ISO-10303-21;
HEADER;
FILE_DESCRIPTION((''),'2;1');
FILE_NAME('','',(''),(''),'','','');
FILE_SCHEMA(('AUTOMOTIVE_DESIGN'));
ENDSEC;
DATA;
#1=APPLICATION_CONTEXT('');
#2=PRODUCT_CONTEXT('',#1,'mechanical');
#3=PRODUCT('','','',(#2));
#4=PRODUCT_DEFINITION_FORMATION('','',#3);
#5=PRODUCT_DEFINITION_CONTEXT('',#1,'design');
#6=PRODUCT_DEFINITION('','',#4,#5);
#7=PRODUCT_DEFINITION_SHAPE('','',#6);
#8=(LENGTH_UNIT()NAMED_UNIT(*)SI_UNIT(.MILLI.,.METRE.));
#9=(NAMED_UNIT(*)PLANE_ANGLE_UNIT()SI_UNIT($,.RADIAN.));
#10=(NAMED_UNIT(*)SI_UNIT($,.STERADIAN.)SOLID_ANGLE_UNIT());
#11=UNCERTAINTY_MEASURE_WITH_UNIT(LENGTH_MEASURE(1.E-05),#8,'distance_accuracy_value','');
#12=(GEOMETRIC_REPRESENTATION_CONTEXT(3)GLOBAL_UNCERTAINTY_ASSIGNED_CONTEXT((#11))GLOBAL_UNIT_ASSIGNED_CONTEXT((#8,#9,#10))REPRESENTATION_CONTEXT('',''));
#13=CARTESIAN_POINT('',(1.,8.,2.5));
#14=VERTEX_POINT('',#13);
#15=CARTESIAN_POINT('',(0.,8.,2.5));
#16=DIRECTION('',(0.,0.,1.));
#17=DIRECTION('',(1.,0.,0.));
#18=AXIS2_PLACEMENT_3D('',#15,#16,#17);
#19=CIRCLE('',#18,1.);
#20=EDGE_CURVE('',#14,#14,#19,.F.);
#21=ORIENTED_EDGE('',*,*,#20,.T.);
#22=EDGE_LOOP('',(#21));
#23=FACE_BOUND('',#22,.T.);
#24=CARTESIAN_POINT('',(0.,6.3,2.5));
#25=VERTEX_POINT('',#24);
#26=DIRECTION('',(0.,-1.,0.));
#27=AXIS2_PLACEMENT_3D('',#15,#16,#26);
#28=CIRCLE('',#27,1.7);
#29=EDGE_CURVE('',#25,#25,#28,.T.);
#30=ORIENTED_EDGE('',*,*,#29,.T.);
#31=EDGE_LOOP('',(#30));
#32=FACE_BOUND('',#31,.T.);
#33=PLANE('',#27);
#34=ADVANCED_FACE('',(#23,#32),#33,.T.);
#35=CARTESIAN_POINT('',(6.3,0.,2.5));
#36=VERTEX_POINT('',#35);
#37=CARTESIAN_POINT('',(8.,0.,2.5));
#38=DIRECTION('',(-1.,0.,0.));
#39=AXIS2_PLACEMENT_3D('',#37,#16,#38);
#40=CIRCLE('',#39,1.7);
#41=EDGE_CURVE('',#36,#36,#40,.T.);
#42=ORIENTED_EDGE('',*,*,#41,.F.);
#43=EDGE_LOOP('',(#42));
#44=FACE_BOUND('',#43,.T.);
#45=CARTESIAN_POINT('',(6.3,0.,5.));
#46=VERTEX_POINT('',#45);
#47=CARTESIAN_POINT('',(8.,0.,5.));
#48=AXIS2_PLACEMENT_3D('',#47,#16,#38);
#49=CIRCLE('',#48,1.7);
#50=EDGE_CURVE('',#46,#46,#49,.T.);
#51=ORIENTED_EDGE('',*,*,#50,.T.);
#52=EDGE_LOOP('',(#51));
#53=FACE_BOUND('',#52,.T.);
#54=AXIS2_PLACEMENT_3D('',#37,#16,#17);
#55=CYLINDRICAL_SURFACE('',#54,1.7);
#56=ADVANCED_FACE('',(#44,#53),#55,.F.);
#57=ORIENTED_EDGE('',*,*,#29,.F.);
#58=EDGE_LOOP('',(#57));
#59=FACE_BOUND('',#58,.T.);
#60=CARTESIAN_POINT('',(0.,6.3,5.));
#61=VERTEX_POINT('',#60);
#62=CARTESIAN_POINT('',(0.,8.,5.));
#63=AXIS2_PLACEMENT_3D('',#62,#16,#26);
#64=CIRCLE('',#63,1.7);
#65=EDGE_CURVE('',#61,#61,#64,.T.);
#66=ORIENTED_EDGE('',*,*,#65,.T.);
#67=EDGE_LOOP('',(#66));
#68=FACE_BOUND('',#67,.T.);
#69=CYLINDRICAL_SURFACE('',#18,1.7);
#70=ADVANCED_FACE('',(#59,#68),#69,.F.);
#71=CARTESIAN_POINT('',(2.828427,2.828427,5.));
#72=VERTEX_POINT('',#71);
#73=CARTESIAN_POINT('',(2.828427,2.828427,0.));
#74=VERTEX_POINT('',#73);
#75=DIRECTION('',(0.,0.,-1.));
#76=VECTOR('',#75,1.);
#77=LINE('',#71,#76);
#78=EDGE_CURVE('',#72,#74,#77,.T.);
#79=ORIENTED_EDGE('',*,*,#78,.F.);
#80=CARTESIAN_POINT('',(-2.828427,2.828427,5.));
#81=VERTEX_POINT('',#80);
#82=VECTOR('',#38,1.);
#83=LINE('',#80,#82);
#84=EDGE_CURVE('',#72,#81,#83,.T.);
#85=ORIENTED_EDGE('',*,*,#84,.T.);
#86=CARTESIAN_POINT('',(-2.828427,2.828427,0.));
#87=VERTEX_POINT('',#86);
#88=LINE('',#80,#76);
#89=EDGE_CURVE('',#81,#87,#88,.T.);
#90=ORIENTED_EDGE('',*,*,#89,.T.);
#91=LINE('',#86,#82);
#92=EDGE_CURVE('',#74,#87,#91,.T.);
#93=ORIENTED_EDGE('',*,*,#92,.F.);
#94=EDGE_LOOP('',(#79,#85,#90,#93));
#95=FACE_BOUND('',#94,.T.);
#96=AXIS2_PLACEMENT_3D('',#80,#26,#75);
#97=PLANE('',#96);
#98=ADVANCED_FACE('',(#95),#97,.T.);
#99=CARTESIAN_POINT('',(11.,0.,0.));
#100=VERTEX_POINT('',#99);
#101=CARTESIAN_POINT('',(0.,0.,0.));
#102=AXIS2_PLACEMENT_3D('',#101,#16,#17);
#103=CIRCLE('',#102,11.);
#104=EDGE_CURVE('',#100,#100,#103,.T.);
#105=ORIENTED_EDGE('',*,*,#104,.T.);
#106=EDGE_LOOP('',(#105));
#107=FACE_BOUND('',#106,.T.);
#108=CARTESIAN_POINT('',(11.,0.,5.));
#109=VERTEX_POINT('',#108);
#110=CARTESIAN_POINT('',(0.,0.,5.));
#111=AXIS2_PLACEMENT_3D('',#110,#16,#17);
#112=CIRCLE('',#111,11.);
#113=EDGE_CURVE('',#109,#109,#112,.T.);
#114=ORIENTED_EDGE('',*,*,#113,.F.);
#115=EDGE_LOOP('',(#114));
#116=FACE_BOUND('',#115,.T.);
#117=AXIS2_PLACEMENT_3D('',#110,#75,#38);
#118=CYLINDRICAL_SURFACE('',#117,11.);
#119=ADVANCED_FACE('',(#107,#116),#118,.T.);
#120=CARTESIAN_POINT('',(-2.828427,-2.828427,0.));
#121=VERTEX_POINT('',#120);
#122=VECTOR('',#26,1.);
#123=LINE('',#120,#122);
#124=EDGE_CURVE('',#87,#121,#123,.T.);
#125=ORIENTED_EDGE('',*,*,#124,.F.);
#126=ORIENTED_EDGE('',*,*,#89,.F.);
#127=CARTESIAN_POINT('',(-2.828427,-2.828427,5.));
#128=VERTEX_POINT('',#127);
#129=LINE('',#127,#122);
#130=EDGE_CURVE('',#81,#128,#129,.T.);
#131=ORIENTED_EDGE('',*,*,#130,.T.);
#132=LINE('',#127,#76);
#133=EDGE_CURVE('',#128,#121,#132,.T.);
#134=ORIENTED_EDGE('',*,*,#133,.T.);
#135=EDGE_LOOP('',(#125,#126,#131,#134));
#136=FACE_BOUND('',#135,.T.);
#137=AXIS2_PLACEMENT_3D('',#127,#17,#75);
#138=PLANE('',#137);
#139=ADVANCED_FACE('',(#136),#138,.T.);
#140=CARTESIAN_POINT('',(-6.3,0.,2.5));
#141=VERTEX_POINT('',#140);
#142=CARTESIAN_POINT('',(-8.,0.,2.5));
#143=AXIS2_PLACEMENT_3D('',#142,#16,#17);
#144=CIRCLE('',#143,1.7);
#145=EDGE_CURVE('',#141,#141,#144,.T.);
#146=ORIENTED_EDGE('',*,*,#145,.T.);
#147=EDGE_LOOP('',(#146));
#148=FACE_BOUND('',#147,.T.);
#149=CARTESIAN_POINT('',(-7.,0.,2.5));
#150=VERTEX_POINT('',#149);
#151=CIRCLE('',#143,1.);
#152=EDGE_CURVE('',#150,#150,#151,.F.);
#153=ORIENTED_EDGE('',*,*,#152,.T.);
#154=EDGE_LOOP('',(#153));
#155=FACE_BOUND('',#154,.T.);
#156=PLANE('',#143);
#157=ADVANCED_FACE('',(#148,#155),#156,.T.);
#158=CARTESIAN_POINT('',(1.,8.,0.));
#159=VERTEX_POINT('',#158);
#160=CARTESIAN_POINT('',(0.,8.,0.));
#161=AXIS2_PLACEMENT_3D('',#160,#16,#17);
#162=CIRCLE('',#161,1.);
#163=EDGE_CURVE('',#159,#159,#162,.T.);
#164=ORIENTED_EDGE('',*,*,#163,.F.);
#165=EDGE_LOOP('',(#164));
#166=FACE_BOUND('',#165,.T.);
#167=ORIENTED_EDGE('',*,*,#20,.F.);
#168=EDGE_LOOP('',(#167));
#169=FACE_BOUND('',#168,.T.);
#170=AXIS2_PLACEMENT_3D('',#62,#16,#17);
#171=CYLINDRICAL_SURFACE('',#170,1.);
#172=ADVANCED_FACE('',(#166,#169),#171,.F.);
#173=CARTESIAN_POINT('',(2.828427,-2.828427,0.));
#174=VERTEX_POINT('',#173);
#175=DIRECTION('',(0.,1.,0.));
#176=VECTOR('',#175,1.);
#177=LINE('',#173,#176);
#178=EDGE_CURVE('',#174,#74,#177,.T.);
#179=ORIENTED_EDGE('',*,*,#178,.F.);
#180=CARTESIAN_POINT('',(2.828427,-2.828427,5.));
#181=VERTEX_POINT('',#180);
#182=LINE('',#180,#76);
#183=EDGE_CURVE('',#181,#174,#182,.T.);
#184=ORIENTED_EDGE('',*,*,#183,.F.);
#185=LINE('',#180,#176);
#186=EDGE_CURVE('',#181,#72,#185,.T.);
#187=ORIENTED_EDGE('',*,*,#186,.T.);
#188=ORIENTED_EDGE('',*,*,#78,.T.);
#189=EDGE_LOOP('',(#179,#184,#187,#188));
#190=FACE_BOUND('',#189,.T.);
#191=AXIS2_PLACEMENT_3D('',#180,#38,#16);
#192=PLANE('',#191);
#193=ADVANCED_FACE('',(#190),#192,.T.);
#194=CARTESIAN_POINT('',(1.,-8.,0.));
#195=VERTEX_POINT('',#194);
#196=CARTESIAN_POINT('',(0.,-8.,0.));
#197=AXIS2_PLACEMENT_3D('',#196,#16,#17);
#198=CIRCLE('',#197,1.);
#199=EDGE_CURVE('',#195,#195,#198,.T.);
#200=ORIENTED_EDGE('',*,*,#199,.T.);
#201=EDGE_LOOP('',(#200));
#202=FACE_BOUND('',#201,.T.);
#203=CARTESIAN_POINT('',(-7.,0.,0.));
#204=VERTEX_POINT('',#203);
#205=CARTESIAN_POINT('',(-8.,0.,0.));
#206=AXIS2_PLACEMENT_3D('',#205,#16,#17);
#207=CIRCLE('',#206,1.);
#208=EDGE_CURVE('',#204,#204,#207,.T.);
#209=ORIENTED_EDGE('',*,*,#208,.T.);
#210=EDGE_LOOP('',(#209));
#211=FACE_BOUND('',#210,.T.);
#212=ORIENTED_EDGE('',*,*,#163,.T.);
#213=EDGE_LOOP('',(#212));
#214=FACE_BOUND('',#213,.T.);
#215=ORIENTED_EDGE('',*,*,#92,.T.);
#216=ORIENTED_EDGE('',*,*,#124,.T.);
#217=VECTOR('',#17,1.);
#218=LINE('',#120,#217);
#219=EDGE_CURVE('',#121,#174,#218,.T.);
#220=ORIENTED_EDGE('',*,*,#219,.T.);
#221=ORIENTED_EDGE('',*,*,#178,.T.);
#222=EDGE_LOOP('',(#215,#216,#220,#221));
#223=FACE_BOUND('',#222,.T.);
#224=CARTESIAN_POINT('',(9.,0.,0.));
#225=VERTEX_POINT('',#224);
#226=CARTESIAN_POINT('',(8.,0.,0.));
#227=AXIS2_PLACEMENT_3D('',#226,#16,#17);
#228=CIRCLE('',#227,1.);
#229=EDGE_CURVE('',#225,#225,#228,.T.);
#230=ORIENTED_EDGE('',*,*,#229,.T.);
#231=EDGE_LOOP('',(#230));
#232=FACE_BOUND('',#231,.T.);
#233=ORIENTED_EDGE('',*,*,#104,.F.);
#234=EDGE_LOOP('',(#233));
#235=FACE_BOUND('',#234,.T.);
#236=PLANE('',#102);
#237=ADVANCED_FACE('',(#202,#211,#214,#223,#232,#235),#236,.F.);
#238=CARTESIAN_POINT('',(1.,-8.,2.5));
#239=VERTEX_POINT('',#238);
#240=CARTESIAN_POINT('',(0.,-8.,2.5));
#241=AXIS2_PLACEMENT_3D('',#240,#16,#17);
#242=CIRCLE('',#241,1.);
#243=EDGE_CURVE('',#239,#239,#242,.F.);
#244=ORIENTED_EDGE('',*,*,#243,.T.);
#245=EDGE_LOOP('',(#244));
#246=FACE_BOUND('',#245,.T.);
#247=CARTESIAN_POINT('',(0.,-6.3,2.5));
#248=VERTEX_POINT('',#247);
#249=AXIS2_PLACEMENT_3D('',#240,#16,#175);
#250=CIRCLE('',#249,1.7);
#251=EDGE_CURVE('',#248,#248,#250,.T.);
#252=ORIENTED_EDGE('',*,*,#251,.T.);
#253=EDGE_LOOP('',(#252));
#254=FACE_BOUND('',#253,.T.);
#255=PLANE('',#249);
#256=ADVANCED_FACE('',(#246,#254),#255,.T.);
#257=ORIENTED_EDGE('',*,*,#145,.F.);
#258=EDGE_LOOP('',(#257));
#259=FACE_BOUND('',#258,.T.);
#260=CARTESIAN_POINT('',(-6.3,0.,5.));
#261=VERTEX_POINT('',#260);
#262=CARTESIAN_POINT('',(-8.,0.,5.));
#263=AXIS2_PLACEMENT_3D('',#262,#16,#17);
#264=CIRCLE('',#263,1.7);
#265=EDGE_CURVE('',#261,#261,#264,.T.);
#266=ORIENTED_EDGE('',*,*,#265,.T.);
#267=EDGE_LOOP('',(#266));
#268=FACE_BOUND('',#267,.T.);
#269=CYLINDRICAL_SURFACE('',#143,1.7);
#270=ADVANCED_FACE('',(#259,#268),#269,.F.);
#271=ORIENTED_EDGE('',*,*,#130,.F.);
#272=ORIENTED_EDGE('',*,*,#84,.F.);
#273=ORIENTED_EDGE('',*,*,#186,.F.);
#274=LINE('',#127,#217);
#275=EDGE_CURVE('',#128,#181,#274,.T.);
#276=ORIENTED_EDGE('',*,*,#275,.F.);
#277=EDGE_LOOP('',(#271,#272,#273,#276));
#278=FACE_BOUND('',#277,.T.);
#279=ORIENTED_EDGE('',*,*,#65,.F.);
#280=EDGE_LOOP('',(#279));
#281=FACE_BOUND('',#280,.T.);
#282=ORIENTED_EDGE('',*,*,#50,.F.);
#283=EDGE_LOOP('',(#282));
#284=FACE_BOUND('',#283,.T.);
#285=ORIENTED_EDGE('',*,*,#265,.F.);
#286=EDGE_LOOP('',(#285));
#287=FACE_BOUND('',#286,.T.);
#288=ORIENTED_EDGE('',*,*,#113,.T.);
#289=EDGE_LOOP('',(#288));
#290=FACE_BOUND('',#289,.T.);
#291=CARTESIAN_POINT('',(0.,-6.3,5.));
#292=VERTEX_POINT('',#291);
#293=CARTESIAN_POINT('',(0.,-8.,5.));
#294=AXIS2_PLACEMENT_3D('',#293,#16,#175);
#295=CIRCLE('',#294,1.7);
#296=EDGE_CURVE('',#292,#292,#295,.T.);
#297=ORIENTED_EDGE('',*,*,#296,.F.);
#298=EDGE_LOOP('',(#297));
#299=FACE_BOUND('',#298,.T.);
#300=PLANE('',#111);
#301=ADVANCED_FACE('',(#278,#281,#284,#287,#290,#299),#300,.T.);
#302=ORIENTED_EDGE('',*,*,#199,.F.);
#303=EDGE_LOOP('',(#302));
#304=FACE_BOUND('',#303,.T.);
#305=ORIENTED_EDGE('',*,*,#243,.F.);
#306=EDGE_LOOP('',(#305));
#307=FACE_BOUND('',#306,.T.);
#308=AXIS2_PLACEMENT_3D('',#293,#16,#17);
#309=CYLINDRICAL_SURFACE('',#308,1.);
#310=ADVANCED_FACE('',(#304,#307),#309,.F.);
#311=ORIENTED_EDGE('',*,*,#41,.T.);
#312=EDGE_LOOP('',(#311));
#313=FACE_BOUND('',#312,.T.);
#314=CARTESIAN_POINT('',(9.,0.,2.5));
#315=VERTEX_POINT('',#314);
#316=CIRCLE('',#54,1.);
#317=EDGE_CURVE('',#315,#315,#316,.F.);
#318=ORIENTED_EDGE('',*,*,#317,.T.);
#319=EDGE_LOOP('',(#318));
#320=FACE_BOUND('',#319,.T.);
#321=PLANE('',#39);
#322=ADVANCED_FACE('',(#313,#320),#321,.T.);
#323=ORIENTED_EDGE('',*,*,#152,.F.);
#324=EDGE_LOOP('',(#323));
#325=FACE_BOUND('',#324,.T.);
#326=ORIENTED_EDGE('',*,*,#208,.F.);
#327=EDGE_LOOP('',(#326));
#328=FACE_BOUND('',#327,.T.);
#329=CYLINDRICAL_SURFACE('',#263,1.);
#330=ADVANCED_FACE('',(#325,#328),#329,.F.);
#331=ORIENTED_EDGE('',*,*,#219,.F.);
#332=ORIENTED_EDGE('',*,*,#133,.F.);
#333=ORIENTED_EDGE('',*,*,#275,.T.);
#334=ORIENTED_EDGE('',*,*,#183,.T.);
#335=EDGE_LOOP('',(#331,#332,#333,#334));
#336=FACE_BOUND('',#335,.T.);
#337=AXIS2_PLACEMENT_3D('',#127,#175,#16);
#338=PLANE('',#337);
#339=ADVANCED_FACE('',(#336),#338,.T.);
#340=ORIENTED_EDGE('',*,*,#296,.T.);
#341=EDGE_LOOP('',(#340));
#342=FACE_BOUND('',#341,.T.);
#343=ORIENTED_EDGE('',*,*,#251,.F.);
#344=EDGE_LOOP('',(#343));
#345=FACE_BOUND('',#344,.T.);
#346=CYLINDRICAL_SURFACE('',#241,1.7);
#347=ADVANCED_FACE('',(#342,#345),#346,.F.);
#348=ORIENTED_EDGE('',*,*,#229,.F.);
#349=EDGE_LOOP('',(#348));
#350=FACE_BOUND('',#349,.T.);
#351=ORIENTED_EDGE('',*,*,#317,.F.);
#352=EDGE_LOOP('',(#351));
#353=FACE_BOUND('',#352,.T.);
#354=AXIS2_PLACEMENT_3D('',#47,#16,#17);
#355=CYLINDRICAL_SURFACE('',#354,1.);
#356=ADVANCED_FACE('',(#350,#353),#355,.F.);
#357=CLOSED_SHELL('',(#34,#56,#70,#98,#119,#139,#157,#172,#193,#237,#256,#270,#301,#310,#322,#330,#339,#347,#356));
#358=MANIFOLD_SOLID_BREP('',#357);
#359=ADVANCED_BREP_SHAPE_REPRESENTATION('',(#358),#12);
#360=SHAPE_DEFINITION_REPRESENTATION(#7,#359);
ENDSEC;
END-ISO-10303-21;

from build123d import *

# Parameters (mm, degrees)
SKETCH1_R             = 11
SKETCH1_W             = 5.65685425
SKETCH1_H             = 5.65685425
BOSS_EXTRUDE1_DEPTH   = 5
F_2_0MM_DOWEL_HOLE1_D = 2
SKETCH4_R             = 1.7
CUT_EXTRUDE1_DEPTH    = 2.5
CIRPATTERN1_COUNT     = 4


with BuildPart() as part:
    # Sketch1 → Boss-Extrude1 (new body)
    with BuildSketch(Plane(origin=(0, 0, 0), x_dir=(0, 1, 0), z_dir=(0, 0, 1))):
        with Locations(Location((0, 0, 0), (0, 0, 270))):
            Circle(SKETCH1_R)
        Rectangle(SKETCH1_W, SKETCH1_H, mode=Mode.SUBTRACT)
    extrude(amount=BOSS_EXTRUDE1_DEPTH)

    # Ø2.0mm Dowel Hole1 (through all)
    with Locations(Plane.XY.offset(5)):
        with Locations((8, 0), (0, 8), (-8, 0), (0, -8)):
            Hole(F_2_0MM_DOWEL_HOLE1_D / 2)

    # Sketch4 → Cut-Extrude1 (cut)
    with BuildSketch(Plane.XY.offset(5)):
        with Locations((-8, 0)):
            Circle(SKETCH4_R)
    cut_extrude1 = extrude(amount=-CUT_EXTRUDE1_DEPTH, mode=Mode.SUBTRACT)

    # CirPattern1: Cut-Extrude1 ×4 about axis
    cirpattern1_axis = Axis((0, 0, 0), (0, 0, 1))
    for i in range(1, CIRPATTERN1_COUNT):
        add(cut_extrude1.rotate(cirpattern1_axis, i * 360 / CIRPATTERN1_COUNT), mode=Mode.SUBTRACT)


solid = part.part
